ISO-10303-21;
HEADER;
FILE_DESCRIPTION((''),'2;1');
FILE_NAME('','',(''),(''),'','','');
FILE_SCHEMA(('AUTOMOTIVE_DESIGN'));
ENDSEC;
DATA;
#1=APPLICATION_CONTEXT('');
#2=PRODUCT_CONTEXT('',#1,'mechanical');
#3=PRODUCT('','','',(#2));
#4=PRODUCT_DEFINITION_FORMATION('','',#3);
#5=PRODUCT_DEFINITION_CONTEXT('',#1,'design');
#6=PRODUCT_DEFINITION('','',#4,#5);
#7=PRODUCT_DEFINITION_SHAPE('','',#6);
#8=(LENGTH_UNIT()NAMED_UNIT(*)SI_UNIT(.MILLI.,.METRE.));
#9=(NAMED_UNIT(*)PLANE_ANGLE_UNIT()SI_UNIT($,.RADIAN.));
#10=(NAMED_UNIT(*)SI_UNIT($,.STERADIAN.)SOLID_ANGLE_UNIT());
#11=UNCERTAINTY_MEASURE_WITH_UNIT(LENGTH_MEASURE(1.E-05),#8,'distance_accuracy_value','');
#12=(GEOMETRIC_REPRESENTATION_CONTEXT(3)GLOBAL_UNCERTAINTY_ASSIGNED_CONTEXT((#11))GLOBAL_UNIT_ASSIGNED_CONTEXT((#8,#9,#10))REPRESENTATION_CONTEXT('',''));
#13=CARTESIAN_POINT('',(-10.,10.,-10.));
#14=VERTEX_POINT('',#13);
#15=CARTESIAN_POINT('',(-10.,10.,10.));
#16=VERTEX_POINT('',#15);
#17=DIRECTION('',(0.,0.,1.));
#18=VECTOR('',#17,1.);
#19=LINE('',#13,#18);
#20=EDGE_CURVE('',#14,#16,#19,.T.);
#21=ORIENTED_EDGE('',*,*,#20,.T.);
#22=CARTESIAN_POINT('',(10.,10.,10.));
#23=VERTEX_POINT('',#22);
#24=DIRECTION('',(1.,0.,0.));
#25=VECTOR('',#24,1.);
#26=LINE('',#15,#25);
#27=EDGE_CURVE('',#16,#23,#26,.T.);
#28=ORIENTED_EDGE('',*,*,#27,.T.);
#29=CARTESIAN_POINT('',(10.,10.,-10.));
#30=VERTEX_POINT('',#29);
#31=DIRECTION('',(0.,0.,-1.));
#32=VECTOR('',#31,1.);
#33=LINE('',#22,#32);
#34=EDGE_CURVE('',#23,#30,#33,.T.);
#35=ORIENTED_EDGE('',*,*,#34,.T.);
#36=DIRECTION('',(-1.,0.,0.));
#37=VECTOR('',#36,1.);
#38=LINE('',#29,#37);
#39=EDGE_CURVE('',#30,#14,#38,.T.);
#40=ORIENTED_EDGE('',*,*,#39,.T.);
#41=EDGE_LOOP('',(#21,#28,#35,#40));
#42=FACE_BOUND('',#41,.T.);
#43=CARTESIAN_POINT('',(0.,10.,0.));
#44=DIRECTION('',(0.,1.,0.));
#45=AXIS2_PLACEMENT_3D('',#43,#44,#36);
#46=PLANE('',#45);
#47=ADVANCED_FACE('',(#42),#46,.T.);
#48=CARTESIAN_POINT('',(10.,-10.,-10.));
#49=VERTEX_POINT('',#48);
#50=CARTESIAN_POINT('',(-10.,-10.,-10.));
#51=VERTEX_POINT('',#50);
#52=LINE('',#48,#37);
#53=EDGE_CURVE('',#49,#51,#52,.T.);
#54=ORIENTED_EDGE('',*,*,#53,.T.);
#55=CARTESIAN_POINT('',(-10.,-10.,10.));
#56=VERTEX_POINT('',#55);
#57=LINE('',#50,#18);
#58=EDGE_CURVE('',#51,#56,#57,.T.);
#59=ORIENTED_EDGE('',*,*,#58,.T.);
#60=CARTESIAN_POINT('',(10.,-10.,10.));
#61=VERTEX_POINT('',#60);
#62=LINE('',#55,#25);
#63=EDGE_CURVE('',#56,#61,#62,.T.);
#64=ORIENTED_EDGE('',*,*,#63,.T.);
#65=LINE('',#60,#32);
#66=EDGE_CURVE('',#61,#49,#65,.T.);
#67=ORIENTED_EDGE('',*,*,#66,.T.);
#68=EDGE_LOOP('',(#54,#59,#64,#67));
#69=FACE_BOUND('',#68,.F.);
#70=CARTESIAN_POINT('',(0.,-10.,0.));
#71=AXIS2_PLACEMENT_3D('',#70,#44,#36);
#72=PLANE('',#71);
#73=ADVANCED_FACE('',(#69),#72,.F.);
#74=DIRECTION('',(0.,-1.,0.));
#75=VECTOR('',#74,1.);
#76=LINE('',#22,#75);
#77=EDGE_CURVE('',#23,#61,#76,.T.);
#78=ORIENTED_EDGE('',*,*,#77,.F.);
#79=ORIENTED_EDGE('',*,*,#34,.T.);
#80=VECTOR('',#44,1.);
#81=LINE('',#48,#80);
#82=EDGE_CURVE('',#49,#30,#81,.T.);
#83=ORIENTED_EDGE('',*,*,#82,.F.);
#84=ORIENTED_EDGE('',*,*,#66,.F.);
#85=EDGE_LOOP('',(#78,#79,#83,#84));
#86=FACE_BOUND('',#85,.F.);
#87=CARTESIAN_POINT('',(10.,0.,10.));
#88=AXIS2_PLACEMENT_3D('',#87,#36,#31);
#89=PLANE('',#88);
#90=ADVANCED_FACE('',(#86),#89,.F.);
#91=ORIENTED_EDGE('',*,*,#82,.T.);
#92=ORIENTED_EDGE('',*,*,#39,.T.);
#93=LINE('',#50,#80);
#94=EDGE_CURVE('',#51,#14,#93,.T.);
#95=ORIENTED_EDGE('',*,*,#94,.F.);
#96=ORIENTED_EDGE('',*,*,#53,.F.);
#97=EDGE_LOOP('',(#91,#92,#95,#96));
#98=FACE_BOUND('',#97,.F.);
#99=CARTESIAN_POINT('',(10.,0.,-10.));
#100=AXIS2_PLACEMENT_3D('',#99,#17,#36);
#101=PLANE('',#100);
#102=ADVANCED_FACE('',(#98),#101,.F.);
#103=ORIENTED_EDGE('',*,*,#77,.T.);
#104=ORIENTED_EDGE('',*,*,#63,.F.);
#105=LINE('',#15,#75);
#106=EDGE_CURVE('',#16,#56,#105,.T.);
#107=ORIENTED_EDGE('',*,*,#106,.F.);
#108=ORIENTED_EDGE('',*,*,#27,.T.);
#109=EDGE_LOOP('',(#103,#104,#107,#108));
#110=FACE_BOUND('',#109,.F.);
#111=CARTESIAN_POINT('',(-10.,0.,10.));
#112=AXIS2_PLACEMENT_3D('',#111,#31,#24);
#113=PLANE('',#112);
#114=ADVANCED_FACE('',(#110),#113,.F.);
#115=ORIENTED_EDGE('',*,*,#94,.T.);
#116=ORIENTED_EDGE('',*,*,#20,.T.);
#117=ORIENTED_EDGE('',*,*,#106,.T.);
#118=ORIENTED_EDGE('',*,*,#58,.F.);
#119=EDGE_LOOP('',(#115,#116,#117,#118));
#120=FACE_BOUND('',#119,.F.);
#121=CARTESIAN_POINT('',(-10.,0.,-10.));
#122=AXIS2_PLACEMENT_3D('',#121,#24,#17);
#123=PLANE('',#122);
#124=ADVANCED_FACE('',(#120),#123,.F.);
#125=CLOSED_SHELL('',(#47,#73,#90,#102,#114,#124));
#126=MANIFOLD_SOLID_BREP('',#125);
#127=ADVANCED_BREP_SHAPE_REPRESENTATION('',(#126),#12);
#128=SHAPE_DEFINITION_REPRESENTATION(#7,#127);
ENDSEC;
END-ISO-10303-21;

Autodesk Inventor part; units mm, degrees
ref_plane "YZ Plane" through (0, 0, 0) normal (1, 0, 0) x (0, 1, 0)
ref_plane "XZ Plane" through (0, 0, 0) normal (0, 1, 0) x (-1, 0, 0)
ref_plane "XY Plane" through (0, 0, 0) normal (0, 0, 1) x (1, 0, 0)
sketch "Sketch1" plane through (0, 0, 0) normal (0, 1, 0) x (-1, 0, 0)
  line L0 (-10, -10) -> (10, -10)
  line L1 (10, -10) -> (10, 10)
  line L2 (10, 10) -> (-10, 10)
  line L3 (-10, 10) -> (-10, -10)
  line L4 (-10, -10) -> (10, 10) construction
  line L5 (10, -10) -> (-10, 10) construction
  point P0 (0, 0)
  dimension "d0" = 20
  dimension "d1" = 20
extrude "Extrusion1" add sketch "Sketch1" along normal mid plane 20
properties part number "cube"
